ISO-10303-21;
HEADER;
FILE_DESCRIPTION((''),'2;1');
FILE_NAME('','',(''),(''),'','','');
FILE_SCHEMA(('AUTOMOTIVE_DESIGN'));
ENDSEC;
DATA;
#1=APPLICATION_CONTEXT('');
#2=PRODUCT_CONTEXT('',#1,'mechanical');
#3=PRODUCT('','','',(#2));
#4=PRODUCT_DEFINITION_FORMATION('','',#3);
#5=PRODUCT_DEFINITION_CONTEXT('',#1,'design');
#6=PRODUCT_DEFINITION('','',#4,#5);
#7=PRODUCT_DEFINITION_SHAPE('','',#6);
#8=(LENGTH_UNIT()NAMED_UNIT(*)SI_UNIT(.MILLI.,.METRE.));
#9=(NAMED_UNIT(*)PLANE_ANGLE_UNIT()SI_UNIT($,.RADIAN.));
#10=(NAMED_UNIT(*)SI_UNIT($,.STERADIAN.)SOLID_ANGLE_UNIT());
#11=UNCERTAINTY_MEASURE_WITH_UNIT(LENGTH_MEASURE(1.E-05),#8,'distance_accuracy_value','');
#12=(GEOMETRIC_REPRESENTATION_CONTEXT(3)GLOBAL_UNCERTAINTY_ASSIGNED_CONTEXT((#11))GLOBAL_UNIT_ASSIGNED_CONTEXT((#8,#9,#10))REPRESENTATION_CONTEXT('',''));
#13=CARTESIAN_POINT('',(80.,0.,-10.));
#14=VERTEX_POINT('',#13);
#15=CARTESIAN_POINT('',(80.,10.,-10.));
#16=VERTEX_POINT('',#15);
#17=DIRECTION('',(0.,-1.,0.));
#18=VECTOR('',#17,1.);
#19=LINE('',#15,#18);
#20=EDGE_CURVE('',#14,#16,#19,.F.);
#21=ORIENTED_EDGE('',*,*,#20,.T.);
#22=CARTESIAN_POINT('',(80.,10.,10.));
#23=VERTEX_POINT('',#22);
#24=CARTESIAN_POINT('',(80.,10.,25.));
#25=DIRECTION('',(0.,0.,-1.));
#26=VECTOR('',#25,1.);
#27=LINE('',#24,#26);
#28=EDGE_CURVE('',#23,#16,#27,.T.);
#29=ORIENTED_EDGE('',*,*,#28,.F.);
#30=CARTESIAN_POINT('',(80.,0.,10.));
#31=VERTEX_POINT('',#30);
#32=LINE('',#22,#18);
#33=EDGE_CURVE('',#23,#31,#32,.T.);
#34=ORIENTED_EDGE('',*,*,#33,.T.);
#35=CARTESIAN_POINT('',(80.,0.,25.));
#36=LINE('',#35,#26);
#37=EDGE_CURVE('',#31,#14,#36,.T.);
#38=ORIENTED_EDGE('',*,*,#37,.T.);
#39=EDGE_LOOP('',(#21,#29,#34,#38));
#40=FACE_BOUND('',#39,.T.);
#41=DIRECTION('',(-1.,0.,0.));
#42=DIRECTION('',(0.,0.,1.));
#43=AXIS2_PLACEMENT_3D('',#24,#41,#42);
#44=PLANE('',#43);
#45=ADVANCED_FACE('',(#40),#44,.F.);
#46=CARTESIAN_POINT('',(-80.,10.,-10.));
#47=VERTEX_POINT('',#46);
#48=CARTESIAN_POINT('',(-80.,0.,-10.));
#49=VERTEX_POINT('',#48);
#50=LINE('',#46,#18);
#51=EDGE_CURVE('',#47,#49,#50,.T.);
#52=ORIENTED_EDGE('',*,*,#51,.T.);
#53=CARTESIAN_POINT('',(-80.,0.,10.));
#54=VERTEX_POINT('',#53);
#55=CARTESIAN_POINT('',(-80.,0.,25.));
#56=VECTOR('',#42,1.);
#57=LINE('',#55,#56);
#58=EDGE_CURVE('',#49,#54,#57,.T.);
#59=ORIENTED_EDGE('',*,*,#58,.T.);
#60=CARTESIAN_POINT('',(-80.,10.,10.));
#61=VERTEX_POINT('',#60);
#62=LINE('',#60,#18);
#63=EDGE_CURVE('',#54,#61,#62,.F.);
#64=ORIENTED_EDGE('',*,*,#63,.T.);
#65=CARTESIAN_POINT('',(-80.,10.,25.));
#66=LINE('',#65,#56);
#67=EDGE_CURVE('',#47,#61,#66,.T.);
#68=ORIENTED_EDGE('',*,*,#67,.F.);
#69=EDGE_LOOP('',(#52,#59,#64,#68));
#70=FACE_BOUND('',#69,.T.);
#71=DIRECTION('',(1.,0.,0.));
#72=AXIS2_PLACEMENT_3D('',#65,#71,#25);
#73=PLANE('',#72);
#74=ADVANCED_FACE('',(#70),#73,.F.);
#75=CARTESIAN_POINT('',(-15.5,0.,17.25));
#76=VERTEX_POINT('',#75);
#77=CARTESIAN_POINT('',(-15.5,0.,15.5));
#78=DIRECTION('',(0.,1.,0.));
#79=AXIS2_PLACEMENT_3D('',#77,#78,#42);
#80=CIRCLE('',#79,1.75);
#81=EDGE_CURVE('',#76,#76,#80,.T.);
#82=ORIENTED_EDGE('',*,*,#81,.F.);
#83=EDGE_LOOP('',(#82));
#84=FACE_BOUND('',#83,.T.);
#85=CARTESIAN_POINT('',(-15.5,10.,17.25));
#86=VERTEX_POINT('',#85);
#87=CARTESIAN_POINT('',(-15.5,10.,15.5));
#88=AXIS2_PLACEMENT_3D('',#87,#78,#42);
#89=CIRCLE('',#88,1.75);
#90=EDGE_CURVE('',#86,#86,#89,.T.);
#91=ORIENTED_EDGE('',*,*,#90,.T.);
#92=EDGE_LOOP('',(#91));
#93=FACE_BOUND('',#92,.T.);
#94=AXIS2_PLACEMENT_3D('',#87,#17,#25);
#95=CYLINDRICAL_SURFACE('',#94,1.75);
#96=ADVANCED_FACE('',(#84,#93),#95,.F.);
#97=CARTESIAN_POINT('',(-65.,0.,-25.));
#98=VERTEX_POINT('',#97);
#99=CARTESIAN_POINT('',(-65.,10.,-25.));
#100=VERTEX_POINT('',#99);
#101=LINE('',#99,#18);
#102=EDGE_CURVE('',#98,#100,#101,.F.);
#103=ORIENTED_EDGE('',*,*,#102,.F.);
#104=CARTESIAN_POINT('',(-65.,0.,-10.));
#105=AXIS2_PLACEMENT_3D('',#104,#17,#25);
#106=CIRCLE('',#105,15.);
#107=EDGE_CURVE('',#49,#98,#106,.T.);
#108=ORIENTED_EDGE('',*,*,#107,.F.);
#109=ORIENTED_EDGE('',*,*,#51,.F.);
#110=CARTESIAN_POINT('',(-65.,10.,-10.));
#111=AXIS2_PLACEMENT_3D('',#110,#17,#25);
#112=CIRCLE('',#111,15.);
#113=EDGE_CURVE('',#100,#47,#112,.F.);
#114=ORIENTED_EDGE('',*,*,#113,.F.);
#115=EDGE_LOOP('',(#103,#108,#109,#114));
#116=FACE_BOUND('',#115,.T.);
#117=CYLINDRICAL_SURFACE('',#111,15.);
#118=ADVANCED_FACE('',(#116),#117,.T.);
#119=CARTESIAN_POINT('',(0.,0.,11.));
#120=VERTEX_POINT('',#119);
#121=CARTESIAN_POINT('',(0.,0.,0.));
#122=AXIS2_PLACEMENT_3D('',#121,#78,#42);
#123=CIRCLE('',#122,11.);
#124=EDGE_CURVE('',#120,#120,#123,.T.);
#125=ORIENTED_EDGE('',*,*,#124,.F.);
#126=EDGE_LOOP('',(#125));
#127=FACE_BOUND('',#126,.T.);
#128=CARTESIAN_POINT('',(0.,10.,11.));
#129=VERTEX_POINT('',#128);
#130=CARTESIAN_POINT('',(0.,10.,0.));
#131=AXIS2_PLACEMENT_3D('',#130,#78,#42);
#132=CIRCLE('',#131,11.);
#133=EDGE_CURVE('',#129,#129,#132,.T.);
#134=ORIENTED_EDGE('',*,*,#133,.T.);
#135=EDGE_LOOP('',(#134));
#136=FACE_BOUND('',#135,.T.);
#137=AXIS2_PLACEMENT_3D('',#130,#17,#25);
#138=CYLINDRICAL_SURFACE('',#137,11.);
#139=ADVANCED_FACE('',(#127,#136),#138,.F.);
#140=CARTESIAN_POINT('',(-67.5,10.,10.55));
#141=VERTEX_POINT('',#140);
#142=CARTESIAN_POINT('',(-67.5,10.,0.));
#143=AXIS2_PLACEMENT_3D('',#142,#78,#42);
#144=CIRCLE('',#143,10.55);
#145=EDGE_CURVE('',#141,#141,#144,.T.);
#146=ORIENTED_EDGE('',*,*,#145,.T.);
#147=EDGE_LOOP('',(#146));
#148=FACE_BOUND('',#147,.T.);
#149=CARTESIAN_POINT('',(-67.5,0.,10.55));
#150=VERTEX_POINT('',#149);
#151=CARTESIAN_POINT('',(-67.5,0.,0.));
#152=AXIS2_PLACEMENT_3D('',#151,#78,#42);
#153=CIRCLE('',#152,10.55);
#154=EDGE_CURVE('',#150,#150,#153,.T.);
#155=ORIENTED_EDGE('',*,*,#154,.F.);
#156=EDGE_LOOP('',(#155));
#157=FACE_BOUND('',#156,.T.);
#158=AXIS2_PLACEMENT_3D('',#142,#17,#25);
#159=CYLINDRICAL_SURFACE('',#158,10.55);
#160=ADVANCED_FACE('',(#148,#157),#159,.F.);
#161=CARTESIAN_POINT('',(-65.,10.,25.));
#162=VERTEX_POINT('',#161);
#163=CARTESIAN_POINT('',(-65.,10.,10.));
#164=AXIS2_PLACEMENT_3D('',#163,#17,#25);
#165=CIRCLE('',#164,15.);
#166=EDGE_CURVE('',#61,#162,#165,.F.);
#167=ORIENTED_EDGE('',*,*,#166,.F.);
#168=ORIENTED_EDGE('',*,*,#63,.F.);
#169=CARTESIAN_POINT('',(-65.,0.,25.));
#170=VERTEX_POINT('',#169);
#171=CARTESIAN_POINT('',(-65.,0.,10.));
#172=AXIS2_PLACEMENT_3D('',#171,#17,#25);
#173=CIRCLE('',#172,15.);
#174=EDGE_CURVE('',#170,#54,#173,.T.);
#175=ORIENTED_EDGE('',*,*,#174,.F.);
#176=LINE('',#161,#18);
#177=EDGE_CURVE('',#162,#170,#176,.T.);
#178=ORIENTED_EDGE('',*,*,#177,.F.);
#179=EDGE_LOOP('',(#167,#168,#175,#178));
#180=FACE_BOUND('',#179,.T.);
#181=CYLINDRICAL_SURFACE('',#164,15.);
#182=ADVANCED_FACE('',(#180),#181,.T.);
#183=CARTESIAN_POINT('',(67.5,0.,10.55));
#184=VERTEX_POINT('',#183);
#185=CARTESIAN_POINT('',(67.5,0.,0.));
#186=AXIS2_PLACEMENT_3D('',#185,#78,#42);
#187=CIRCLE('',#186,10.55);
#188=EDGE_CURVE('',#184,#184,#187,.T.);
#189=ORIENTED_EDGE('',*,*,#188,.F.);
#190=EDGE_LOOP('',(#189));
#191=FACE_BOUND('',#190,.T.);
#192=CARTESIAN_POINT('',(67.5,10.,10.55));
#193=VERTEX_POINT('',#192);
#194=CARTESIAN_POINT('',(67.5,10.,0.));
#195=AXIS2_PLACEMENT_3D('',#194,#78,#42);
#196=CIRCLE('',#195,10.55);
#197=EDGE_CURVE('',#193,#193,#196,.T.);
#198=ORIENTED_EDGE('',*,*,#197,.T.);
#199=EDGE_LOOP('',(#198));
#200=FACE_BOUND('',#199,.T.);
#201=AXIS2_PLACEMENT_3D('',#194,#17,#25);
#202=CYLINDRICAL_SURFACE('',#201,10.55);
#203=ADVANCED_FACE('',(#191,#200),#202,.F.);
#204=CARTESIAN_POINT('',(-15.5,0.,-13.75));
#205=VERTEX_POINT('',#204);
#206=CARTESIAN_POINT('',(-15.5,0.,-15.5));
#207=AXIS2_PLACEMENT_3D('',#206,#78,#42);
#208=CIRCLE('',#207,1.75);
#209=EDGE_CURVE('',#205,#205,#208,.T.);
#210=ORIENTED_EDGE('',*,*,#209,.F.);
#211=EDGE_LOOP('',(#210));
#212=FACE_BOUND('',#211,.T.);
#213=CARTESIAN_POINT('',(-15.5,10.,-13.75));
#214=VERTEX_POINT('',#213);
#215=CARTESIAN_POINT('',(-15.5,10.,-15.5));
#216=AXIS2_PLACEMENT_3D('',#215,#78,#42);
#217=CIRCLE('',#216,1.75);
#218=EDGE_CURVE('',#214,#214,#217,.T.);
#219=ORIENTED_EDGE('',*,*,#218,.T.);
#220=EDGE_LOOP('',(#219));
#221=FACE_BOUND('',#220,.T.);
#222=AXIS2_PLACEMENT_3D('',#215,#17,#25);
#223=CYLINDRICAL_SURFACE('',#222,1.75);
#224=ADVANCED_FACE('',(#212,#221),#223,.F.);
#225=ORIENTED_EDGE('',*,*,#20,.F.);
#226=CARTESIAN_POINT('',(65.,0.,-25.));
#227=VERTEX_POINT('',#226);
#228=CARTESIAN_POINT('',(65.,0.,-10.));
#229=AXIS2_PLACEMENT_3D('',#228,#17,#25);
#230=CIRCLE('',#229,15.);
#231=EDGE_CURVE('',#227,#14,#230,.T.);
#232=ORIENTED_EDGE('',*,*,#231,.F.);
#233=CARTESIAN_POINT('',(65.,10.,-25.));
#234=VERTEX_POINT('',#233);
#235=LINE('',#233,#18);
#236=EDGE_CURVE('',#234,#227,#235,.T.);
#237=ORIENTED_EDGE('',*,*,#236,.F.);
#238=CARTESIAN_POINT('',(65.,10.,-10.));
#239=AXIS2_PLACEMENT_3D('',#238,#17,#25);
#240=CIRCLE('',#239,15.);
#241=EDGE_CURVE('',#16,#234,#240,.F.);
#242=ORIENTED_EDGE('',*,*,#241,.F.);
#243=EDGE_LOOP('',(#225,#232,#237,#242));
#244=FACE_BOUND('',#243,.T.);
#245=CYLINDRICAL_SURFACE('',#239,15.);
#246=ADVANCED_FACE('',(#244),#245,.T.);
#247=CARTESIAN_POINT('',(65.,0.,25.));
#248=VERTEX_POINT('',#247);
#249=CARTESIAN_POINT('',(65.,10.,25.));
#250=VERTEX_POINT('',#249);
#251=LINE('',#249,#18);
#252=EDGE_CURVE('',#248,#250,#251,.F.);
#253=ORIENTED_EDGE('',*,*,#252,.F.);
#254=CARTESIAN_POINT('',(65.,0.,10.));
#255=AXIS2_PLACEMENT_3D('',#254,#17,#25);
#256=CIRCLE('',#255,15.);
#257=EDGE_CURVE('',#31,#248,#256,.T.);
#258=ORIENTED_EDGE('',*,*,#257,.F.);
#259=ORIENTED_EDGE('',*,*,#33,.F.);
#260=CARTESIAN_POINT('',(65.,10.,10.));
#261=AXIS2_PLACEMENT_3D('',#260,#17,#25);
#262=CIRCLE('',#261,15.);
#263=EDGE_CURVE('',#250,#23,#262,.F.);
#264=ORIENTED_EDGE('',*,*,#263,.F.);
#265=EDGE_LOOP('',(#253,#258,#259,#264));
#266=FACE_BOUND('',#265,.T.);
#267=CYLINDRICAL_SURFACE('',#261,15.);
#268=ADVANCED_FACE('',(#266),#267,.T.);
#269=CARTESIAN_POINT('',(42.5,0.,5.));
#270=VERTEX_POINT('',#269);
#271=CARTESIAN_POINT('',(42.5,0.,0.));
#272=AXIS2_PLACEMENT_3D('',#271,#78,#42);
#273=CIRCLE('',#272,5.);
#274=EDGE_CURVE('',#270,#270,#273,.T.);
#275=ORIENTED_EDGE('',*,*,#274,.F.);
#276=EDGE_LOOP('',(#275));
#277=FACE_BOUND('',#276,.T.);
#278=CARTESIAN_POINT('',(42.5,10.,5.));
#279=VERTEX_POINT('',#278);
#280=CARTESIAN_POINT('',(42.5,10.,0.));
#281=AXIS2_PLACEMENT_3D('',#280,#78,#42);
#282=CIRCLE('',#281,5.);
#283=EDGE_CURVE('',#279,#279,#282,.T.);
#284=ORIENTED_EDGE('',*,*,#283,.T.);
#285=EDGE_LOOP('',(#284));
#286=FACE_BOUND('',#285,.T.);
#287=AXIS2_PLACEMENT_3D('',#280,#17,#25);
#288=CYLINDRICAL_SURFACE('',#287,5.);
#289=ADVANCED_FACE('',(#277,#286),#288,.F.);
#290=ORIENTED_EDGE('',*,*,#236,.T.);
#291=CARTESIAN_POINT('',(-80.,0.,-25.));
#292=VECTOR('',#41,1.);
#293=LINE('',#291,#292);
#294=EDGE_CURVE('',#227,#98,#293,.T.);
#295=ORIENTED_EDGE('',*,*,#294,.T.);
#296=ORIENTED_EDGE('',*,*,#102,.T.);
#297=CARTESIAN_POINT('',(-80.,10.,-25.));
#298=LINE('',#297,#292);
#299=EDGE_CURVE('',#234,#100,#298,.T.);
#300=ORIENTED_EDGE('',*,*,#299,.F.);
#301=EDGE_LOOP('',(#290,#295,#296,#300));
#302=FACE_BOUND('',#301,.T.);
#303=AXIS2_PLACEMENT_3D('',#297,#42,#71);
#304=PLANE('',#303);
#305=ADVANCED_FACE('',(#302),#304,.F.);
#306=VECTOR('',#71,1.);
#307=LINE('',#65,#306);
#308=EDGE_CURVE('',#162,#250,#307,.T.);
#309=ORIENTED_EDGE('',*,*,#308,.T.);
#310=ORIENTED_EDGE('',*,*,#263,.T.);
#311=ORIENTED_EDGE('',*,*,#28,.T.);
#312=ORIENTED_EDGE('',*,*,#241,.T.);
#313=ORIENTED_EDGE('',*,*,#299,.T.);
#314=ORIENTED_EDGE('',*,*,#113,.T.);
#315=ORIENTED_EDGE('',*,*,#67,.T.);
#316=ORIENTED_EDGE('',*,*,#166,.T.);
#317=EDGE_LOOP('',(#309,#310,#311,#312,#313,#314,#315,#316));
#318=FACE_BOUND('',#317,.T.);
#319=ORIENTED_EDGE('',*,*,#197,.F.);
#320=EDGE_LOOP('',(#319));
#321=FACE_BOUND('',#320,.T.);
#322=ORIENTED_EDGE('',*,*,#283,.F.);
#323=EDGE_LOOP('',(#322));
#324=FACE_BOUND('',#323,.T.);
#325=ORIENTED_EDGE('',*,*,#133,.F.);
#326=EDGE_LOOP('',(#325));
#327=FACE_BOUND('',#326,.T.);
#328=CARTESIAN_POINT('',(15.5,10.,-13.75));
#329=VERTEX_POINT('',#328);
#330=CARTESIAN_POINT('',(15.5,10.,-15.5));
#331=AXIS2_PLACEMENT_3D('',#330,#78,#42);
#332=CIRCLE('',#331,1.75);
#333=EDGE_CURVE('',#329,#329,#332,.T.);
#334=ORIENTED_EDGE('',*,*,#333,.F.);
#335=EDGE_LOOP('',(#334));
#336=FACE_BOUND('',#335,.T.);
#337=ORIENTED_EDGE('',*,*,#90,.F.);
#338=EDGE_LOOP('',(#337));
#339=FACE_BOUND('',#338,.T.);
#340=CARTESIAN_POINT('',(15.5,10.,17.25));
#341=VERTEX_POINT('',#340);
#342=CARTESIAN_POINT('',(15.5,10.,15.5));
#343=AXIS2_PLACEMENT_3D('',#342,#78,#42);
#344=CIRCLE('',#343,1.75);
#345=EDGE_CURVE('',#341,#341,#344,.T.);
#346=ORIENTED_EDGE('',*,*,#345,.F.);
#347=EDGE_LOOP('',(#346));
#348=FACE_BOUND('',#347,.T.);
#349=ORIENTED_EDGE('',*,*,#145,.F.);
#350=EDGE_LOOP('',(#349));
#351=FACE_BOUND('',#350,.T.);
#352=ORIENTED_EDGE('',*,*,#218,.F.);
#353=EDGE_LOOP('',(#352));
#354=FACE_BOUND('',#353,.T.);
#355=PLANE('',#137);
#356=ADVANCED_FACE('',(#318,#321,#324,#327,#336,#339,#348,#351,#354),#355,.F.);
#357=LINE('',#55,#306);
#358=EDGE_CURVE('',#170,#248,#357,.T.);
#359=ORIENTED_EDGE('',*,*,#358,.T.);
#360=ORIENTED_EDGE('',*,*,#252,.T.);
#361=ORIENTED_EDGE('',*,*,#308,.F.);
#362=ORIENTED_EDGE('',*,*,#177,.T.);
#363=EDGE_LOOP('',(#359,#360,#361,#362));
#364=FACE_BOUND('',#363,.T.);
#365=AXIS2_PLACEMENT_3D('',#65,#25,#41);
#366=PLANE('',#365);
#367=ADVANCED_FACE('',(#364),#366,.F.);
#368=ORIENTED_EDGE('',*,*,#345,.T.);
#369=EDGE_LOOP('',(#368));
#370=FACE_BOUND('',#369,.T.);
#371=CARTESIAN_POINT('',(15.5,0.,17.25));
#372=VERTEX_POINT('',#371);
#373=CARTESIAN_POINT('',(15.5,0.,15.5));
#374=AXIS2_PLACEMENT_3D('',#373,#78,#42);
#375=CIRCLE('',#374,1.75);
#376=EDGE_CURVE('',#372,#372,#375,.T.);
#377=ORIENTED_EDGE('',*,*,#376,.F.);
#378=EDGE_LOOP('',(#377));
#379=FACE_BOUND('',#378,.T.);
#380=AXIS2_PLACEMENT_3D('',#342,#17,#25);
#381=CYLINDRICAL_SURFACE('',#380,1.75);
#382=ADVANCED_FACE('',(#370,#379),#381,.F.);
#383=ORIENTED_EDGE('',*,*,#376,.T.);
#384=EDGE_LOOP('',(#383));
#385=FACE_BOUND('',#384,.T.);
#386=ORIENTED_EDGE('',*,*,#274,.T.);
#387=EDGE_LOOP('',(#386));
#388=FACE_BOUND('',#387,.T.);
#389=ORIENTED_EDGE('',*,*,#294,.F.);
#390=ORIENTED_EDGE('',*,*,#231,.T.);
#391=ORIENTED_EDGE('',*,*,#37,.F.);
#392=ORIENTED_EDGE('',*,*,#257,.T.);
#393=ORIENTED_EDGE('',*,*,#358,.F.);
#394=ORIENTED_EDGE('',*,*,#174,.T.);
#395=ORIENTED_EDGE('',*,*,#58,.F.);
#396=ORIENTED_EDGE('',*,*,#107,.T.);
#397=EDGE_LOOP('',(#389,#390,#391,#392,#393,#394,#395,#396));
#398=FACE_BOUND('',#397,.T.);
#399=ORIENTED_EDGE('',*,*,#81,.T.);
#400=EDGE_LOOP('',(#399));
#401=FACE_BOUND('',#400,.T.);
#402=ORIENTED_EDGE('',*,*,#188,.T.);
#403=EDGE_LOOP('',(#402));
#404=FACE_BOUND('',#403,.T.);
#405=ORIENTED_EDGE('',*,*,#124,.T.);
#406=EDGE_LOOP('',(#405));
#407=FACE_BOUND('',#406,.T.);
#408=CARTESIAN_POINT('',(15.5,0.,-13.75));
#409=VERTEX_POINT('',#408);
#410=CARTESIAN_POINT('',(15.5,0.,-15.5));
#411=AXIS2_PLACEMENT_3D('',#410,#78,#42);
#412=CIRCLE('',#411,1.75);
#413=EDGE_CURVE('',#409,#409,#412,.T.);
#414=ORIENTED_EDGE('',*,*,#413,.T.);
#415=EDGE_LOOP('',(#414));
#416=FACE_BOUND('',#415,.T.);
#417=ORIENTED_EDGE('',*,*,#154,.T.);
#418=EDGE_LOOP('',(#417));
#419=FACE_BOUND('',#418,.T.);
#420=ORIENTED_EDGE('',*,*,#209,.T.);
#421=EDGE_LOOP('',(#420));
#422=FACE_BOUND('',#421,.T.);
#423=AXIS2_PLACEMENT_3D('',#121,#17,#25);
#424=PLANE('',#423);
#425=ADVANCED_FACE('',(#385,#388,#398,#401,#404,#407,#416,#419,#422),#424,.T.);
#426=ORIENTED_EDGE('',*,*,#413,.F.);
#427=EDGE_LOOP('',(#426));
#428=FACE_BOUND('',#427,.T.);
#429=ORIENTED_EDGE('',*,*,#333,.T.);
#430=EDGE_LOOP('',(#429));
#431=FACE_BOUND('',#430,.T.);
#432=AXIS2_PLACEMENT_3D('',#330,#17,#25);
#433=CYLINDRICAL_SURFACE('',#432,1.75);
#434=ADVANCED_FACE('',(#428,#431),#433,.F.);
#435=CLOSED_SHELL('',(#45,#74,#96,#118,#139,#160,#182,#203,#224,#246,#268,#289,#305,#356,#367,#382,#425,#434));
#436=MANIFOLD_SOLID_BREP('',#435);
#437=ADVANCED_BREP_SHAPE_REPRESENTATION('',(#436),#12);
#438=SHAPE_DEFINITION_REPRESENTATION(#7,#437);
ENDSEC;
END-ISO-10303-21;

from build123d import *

# Parameters (mm, degrees)
SKETCH1_W           = 160
SKETCH1_H           = 50
SKETCH1_R           = 11
SKETCH1_R_2         = 1.75
SKETCH1_R_3         = 10.55
SKETCH1_R_4         = 5
BOSS_EXTRUDE1_DEPTH = 10
FILLET1_R           = 15


with BuildPart() as part:
    # Sketch1 → Boss-Extrude1 (new body)
    with BuildSketch(Plane(origin=(0, 0, 0), x_dir=(1, 0, 0), z_dir=(0, 1, 0))):
        Rectangle(SKETCH1_W, SKETCH1_H)
        Circle(SKETCH1_R, mode=Mode.SUBTRACT)
        with Locations((15.5, 15.5)):
            Circle(SKETCH1_R_2, mode=Mode.SUBTRACT)
        with Locations((-15.5, 15.5)):
            Circle(SKETCH1_R_2, mode=Mode.SUBTRACT)
        with Locations((-15.5, -15.5)):
            Circle(SKETCH1_R_2, mode=Mode.SUBTRACT)
        with Locations((15.5, -15.5)):
            Circle(SKETCH1_R_2, mode=Mode.SUBTRACT)
        with Locations((-67.5, 0)):
            Circle(SKETCH1_R_3, mode=Mode.SUBTRACT)
        with Locations((67.5, 0)):
            Circle(SKETCH1_R_3, mode=Mode.SUBTRACT)
        with Locations((42.5, 0)):
            Circle(SKETCH1_R_4, mode=Mode.SUBTRACT)
    extrude(amount=BOSS_EXTRUDE1_DEPTH)

    # Fillet1
    fillet1_edges = [part.edges().sort_by_distance(p)[0] for p in [
        (80, 5, 25),
        (-80, 5, 25),
        (-80, 5, -25),
        (80, 5, -25),
    ]]
    fillet(fillet1_edges, radius=FILLET1_R)


solid = part.part
